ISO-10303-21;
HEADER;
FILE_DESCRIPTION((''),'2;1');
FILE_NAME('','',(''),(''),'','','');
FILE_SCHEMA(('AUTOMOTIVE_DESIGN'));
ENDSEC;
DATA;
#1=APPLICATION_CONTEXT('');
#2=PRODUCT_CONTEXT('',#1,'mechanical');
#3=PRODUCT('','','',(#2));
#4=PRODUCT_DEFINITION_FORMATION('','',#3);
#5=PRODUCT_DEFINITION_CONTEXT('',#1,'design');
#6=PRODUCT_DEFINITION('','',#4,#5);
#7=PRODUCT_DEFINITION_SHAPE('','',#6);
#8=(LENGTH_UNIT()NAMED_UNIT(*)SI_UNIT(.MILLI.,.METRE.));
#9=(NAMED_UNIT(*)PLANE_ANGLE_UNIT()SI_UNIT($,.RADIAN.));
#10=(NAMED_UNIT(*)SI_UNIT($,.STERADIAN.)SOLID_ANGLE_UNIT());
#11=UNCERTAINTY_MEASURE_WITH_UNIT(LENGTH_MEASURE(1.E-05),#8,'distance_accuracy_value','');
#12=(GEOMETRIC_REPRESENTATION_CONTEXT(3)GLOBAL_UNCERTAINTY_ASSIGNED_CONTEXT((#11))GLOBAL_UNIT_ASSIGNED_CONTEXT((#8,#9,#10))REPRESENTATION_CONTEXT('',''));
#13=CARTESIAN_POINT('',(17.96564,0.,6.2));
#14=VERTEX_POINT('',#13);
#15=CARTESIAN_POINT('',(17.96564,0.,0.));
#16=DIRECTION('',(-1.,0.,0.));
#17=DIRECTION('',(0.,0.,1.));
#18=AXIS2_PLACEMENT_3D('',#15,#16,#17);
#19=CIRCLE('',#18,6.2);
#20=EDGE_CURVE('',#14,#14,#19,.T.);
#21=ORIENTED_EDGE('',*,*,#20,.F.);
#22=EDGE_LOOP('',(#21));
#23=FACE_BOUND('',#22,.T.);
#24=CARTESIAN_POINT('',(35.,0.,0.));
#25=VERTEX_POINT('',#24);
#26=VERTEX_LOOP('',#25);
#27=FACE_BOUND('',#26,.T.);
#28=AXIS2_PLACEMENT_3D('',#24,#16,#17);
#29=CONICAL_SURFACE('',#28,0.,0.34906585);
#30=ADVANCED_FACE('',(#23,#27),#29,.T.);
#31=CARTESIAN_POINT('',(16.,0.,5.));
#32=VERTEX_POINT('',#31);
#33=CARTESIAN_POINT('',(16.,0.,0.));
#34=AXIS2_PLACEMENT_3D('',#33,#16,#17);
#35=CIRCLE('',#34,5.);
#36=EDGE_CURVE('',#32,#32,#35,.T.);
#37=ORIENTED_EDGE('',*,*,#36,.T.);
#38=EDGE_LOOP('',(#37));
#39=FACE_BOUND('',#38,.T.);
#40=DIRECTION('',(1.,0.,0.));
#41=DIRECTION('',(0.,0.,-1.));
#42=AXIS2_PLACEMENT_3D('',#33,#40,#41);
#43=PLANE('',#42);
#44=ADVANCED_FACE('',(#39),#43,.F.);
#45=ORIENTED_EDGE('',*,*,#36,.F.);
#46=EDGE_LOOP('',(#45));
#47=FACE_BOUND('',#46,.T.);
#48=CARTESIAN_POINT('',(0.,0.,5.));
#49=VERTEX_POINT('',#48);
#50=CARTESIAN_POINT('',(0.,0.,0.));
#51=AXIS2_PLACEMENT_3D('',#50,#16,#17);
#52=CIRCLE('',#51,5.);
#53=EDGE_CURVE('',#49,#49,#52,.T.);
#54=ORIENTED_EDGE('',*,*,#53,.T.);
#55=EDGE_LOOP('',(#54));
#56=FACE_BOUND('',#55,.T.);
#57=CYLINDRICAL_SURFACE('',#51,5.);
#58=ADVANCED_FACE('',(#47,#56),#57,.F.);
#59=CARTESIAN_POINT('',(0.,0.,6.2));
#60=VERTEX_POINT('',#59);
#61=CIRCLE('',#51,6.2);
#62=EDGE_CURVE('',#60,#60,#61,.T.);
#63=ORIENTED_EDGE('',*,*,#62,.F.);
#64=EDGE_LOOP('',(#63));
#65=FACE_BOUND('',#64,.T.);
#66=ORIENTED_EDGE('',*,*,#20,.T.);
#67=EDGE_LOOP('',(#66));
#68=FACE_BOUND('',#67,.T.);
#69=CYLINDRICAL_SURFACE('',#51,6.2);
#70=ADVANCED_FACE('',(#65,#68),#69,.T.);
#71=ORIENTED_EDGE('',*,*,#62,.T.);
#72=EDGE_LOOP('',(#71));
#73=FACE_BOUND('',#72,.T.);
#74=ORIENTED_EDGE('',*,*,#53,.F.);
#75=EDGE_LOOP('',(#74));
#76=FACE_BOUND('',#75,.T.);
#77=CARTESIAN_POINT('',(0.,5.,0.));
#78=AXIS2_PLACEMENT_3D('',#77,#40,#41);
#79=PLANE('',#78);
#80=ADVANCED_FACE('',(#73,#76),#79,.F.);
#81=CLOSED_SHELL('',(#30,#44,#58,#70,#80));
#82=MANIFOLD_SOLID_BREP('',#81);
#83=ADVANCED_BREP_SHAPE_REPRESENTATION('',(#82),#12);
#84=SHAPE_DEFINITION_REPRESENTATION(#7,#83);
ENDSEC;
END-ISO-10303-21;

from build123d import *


with BuildPart() as part:
    # Skizze1 → Rotation1 (revolve)
    with BuildSketch(Plane.XY, mode=Mode.PRIVATE) as rotation1_sk:
        Polygon((0, 5), (0, 6.2), (17.965639999, 6.2), (35, 0), (16, 0), (16, 5), align=None)
    revolve(rotation1_sk.sketch.rotate(Axis((0, 0, 0), (1, 0, 0)), 90), axis=Axis((0, 0, 0), (1, 0, 0)))


solid = part.part
